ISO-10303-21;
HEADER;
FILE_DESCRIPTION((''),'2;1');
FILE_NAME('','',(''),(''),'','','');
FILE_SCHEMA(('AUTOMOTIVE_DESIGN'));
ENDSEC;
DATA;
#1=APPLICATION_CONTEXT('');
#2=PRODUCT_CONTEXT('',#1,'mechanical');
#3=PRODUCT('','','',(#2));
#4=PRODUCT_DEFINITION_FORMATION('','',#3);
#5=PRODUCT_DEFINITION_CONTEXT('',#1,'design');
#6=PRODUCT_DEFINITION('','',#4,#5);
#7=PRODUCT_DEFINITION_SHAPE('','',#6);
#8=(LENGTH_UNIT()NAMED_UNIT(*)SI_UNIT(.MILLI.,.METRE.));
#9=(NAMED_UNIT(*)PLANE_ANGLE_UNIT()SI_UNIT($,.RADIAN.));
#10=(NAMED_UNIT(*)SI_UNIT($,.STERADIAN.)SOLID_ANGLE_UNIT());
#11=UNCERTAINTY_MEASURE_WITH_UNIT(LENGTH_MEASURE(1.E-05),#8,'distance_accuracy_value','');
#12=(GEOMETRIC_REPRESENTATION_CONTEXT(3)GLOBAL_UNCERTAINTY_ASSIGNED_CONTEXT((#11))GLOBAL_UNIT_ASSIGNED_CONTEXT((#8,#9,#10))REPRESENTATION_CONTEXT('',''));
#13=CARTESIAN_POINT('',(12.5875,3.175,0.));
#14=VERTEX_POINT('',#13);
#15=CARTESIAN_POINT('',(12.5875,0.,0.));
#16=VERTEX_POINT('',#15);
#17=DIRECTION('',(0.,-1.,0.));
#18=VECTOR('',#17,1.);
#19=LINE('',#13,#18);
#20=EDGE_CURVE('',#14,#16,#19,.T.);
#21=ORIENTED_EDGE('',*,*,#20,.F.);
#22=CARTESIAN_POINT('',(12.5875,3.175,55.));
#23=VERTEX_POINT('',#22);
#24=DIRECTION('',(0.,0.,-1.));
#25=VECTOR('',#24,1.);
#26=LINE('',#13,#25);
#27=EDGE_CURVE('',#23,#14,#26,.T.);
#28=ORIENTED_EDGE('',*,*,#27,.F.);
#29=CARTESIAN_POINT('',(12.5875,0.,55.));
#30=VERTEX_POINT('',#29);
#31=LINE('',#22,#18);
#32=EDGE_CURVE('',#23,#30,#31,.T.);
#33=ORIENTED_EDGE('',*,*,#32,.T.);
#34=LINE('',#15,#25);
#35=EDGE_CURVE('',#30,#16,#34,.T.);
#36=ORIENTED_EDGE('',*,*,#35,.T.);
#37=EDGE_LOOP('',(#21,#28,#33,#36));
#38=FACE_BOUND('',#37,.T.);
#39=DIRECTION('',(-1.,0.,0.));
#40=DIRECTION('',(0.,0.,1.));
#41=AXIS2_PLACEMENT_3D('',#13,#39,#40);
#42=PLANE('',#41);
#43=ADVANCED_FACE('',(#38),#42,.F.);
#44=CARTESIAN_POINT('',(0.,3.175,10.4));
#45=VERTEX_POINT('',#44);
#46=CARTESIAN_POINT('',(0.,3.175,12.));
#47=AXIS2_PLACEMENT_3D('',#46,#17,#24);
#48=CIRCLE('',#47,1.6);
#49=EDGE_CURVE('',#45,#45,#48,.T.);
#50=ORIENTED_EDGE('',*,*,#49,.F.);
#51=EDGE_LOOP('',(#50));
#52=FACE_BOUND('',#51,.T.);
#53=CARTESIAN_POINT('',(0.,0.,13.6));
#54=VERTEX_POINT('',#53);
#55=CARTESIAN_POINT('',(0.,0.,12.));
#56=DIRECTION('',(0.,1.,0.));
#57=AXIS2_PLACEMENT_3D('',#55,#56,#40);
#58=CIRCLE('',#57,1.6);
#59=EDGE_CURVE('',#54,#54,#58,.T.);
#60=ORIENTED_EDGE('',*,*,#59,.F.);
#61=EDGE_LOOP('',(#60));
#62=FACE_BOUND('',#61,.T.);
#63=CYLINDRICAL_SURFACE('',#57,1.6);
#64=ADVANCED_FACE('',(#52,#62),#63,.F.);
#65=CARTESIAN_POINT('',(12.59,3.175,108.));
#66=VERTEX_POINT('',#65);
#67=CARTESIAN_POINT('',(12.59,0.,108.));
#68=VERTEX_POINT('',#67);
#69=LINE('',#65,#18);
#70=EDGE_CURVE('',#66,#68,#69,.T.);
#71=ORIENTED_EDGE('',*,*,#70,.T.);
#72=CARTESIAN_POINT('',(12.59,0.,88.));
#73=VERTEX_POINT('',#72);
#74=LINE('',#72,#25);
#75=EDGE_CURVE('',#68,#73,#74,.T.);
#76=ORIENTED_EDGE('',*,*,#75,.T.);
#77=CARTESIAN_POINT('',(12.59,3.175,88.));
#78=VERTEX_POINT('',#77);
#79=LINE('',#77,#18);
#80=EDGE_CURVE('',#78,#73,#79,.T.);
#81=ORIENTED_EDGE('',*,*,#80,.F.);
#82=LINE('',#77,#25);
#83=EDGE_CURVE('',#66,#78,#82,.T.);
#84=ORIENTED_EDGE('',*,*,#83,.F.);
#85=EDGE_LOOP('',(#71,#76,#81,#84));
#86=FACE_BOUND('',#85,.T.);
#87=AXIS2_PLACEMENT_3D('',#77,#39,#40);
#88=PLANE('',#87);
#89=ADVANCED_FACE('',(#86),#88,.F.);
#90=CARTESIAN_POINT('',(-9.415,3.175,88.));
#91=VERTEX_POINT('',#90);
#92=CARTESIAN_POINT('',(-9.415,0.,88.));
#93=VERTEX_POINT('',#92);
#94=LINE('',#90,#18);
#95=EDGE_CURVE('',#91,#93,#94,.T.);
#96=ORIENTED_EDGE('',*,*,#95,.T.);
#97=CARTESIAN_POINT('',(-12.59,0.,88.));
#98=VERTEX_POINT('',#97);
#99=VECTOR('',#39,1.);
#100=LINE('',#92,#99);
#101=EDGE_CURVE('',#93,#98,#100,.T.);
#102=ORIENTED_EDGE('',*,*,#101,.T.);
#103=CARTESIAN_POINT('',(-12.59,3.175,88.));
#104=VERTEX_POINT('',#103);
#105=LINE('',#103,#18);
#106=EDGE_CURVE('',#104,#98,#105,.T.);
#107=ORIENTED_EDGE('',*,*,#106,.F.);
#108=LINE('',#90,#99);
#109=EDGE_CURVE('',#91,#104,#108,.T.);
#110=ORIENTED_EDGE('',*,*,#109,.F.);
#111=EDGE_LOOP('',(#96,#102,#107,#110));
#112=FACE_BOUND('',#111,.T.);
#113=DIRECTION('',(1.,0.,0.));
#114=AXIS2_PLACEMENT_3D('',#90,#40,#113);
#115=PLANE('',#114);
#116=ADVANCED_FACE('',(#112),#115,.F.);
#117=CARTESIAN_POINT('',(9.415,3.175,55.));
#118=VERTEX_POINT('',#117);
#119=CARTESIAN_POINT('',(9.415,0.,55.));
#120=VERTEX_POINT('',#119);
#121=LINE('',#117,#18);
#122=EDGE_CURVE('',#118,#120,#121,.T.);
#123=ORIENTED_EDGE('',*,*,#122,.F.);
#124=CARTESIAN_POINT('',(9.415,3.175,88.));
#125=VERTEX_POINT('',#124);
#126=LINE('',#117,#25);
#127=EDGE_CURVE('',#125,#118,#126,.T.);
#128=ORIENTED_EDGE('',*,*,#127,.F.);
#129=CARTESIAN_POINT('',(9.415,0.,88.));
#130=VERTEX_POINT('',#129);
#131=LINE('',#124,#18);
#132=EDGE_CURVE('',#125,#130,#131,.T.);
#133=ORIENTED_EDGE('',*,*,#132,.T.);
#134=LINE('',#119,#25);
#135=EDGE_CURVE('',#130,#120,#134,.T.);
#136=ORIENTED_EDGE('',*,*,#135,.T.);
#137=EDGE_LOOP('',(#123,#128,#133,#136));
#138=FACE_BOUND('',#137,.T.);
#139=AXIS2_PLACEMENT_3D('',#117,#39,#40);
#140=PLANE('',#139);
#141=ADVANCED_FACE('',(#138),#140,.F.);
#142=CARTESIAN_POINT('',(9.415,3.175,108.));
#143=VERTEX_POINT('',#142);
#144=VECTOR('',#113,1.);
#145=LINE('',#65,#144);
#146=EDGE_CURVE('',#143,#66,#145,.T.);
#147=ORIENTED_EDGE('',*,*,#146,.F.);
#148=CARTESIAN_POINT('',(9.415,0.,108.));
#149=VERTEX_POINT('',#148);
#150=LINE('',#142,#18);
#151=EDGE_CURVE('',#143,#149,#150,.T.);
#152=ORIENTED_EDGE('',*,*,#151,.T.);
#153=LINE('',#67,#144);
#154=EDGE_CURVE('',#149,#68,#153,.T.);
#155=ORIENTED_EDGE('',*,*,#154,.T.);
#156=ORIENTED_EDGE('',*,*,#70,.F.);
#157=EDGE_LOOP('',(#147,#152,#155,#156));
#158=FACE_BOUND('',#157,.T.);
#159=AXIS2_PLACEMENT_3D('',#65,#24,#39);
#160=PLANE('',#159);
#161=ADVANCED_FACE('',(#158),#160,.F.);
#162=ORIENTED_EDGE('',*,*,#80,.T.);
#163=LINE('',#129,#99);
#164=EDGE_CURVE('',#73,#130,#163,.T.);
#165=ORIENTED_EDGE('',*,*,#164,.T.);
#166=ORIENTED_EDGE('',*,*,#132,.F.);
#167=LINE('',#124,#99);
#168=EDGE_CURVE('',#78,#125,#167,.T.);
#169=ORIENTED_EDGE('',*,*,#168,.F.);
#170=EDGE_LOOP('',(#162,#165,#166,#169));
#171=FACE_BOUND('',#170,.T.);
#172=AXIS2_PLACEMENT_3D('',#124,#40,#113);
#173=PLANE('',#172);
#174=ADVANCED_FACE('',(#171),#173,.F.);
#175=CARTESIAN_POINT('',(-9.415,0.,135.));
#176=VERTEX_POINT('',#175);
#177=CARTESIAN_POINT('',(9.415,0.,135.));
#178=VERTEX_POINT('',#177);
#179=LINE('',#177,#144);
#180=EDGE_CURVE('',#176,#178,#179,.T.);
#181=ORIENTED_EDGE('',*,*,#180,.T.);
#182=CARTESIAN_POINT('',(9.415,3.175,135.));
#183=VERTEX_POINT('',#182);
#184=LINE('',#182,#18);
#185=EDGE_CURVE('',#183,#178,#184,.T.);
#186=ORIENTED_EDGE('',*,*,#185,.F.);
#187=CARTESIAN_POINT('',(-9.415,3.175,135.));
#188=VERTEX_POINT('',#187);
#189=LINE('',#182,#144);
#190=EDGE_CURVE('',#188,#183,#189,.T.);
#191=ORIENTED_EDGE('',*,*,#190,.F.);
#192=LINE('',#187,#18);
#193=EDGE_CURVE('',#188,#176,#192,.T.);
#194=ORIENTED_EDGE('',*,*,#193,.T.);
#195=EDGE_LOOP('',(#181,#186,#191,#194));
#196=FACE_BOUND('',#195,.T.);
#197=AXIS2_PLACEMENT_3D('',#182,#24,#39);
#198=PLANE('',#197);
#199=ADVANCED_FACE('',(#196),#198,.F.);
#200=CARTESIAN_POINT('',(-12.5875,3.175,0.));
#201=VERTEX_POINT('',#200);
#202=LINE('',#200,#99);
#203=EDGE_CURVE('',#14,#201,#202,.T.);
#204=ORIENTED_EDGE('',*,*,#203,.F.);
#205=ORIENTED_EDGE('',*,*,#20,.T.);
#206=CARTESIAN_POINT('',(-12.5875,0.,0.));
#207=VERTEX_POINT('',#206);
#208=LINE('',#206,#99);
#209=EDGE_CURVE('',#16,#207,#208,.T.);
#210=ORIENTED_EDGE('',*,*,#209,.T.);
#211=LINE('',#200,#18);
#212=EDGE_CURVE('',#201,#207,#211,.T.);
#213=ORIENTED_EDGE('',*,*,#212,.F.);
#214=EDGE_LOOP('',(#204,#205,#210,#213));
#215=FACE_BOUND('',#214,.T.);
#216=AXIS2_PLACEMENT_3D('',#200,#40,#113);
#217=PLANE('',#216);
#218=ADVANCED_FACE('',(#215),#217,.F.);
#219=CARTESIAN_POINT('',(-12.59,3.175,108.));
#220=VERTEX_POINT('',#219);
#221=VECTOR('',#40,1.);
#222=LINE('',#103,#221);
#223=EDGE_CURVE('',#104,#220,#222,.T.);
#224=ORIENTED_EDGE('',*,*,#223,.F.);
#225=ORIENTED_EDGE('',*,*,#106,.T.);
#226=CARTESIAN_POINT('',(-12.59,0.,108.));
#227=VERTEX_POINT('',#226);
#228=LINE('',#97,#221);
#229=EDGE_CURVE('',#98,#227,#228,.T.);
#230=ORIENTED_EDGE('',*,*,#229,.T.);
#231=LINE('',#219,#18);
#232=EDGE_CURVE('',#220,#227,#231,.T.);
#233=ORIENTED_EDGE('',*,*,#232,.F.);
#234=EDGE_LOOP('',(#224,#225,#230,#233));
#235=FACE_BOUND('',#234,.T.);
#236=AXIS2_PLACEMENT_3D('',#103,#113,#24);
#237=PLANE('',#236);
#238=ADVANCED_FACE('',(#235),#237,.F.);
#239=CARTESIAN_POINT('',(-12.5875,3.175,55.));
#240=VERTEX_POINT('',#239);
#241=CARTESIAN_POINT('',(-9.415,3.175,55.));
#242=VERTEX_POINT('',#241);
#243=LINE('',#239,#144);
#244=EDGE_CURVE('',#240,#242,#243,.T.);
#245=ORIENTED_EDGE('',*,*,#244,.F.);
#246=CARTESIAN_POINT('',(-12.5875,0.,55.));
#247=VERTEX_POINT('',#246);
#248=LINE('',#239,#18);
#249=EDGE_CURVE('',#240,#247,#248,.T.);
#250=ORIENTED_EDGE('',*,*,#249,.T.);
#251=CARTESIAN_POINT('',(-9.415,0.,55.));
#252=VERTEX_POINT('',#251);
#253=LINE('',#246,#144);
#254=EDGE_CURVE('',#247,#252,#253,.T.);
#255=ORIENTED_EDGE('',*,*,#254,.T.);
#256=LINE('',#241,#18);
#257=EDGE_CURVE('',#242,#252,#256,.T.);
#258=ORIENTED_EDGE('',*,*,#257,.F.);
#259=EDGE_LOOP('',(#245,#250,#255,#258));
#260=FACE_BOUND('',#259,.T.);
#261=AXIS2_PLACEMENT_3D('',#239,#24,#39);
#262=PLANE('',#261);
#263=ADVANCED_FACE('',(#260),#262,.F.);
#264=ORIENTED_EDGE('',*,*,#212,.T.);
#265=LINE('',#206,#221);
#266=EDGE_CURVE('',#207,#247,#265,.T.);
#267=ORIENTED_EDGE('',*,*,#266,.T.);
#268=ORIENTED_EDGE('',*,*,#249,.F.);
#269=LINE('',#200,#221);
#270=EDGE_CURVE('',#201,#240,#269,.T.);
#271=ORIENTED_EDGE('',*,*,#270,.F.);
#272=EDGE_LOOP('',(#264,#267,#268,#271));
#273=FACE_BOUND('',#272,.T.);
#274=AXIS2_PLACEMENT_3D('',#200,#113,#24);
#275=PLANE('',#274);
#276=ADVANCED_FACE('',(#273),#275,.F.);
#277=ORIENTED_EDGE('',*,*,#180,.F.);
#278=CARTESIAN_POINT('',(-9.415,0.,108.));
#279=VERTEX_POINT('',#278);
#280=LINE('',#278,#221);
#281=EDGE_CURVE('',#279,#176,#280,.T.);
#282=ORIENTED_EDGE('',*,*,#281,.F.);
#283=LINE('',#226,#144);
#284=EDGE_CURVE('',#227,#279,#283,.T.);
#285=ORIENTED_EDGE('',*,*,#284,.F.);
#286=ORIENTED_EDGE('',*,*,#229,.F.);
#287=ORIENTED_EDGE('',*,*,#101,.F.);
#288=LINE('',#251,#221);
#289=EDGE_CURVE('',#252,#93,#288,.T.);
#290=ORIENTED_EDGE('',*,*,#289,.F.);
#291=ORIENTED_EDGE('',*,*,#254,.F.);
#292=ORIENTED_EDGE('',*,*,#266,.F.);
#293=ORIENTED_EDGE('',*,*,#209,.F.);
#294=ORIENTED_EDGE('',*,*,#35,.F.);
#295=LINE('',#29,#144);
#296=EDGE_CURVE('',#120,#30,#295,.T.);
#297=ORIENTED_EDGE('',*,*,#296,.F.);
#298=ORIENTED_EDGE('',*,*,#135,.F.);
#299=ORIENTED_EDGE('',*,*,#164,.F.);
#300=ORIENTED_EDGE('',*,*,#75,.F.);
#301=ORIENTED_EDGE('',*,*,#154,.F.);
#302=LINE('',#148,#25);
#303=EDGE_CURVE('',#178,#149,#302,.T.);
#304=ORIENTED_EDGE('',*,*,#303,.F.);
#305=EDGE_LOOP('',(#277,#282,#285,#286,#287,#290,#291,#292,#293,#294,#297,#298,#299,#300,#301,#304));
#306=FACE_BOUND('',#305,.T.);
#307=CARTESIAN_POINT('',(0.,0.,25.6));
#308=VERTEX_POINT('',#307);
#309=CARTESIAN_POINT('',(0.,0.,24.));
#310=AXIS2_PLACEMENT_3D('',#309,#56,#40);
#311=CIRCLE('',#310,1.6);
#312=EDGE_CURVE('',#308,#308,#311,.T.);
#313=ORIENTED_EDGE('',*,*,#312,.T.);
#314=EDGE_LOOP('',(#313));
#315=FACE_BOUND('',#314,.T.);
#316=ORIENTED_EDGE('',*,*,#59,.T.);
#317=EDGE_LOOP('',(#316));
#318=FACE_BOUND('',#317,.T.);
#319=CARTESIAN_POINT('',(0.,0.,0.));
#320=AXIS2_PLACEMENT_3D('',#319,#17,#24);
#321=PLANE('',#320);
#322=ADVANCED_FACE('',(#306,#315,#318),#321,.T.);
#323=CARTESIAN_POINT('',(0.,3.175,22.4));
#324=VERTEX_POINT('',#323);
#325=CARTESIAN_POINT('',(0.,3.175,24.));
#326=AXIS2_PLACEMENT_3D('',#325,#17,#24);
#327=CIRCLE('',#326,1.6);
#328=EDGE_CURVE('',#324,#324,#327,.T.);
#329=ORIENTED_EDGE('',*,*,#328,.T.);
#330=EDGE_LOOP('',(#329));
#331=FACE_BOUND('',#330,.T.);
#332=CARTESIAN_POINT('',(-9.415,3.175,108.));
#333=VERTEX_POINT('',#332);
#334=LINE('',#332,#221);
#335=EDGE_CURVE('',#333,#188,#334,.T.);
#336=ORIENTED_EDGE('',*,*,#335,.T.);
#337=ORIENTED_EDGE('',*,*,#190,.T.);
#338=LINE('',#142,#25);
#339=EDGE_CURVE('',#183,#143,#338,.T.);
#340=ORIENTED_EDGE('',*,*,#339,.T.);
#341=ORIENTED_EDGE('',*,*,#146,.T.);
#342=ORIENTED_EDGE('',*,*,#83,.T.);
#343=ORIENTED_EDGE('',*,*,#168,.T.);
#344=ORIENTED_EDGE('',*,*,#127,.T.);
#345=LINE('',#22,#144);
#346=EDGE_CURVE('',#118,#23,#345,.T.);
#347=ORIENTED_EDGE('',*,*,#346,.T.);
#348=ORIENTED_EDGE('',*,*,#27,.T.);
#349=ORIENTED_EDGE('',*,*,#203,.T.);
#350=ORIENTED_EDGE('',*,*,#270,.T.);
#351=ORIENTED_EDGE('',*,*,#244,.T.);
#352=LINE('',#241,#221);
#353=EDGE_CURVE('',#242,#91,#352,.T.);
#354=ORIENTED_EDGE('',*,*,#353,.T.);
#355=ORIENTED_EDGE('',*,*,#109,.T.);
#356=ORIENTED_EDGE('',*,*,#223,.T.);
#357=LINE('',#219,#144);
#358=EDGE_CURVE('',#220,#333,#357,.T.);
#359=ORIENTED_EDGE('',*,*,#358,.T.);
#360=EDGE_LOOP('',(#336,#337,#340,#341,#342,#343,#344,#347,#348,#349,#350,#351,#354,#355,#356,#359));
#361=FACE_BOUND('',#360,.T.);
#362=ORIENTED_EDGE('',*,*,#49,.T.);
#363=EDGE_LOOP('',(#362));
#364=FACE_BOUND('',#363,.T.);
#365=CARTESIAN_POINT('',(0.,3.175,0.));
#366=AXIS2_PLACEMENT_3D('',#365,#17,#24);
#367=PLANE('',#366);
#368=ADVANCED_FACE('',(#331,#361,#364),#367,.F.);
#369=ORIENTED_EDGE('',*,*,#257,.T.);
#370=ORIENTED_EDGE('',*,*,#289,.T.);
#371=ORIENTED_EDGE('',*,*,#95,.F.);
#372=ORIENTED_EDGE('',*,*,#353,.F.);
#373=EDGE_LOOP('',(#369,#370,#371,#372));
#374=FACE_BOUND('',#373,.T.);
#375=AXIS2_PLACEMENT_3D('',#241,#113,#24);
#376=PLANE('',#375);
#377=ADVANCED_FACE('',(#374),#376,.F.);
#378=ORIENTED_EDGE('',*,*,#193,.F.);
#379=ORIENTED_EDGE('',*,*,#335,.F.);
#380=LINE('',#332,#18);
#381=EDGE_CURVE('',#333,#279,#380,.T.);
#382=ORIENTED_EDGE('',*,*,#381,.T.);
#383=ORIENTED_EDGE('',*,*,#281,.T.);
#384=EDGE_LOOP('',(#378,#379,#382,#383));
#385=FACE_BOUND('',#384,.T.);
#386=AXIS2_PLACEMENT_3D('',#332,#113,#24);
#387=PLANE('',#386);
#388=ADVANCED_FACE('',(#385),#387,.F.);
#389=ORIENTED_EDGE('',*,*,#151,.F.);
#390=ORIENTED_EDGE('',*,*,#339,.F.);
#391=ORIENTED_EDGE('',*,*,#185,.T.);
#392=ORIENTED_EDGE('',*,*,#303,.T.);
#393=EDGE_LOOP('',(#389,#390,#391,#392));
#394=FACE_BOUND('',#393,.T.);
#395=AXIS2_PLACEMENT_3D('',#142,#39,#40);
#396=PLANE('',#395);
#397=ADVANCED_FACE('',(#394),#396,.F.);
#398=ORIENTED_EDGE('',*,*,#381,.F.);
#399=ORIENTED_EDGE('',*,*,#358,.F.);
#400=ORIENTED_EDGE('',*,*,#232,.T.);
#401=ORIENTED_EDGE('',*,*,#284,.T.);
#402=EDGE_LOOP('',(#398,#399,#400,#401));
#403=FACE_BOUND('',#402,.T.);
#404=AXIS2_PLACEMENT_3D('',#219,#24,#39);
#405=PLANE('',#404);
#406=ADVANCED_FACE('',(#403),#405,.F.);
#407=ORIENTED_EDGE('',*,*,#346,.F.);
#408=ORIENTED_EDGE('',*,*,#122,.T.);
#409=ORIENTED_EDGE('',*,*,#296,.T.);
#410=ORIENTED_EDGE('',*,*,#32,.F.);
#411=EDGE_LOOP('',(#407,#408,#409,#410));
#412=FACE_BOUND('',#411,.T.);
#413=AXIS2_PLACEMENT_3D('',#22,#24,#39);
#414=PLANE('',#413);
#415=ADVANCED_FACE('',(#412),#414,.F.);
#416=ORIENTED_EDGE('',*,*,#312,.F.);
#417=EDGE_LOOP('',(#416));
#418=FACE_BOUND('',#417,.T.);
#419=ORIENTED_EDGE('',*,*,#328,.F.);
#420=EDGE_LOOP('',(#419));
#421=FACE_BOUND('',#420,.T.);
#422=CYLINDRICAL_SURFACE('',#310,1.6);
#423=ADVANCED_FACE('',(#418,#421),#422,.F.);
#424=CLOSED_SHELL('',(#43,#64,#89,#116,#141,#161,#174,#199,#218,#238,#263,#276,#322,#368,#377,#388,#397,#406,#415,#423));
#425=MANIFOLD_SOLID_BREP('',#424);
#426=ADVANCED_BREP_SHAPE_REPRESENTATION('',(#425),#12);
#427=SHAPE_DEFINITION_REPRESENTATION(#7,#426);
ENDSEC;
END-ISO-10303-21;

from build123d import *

# Parameters (mm, degrees)
BOSS_EXTRUDE1_DEPTH     = 3.175
CUT_EXTRUDE1_DEPTH      = 136.62296533
CUT_EXTRUDE1_DEPTH_BACK = 136.62296533
SKETCH2_R               = 1.6


with BuildPart() as part:
    # Sketch1 → Boss-Extrude1 (new body)
    with BuildSketch(Plane(origin=(0, 0, 0), x_dir=(1, 0, 0), z_dir=(0, 1, 0))):
        Polygon((-12.5875, 0), (12.5875, 0), (12.5875, -55), (9.415, -55), (9.415, -88), (12.59, -88), (12.59, -108), (9.415, -108), (9.415, -135), (-9.415, -135), (-9.415, -108), (-12.59, -108), (-12.59, -88), (-9.415, -88), (-9.415, -55), (-12.5875, -55), align=None)
    extrude(amount=BOSS_EXTRUDE1_DEPTH)

    # Sketch2 → Cut-Extrude1 (cut, two sides: drawn at the far end of the back side and taken through both)
    with BuildSketch(Plane(origin=(0, 3.175, 0), x_dir=(1, 0, 0), z_dir=(0, 1, 0)).offset(-CUT_EXTRUDE1_DEPTH_BACK)):
        with Locations(Location((0, -24, 0), (0, 0, 270))):
            Circle(SKETCH2_R)
        with Locations(Location((0, -12, 0), (0, 0, 270))):
            Circle(SKETCH2_R)
    extrude(amount=CUT_EXTRUDE1_DEPTH + CUT_EXTRUDE1_DEPTH_BACK, mode=Mode.SUBTRACT)


solid = part.part
